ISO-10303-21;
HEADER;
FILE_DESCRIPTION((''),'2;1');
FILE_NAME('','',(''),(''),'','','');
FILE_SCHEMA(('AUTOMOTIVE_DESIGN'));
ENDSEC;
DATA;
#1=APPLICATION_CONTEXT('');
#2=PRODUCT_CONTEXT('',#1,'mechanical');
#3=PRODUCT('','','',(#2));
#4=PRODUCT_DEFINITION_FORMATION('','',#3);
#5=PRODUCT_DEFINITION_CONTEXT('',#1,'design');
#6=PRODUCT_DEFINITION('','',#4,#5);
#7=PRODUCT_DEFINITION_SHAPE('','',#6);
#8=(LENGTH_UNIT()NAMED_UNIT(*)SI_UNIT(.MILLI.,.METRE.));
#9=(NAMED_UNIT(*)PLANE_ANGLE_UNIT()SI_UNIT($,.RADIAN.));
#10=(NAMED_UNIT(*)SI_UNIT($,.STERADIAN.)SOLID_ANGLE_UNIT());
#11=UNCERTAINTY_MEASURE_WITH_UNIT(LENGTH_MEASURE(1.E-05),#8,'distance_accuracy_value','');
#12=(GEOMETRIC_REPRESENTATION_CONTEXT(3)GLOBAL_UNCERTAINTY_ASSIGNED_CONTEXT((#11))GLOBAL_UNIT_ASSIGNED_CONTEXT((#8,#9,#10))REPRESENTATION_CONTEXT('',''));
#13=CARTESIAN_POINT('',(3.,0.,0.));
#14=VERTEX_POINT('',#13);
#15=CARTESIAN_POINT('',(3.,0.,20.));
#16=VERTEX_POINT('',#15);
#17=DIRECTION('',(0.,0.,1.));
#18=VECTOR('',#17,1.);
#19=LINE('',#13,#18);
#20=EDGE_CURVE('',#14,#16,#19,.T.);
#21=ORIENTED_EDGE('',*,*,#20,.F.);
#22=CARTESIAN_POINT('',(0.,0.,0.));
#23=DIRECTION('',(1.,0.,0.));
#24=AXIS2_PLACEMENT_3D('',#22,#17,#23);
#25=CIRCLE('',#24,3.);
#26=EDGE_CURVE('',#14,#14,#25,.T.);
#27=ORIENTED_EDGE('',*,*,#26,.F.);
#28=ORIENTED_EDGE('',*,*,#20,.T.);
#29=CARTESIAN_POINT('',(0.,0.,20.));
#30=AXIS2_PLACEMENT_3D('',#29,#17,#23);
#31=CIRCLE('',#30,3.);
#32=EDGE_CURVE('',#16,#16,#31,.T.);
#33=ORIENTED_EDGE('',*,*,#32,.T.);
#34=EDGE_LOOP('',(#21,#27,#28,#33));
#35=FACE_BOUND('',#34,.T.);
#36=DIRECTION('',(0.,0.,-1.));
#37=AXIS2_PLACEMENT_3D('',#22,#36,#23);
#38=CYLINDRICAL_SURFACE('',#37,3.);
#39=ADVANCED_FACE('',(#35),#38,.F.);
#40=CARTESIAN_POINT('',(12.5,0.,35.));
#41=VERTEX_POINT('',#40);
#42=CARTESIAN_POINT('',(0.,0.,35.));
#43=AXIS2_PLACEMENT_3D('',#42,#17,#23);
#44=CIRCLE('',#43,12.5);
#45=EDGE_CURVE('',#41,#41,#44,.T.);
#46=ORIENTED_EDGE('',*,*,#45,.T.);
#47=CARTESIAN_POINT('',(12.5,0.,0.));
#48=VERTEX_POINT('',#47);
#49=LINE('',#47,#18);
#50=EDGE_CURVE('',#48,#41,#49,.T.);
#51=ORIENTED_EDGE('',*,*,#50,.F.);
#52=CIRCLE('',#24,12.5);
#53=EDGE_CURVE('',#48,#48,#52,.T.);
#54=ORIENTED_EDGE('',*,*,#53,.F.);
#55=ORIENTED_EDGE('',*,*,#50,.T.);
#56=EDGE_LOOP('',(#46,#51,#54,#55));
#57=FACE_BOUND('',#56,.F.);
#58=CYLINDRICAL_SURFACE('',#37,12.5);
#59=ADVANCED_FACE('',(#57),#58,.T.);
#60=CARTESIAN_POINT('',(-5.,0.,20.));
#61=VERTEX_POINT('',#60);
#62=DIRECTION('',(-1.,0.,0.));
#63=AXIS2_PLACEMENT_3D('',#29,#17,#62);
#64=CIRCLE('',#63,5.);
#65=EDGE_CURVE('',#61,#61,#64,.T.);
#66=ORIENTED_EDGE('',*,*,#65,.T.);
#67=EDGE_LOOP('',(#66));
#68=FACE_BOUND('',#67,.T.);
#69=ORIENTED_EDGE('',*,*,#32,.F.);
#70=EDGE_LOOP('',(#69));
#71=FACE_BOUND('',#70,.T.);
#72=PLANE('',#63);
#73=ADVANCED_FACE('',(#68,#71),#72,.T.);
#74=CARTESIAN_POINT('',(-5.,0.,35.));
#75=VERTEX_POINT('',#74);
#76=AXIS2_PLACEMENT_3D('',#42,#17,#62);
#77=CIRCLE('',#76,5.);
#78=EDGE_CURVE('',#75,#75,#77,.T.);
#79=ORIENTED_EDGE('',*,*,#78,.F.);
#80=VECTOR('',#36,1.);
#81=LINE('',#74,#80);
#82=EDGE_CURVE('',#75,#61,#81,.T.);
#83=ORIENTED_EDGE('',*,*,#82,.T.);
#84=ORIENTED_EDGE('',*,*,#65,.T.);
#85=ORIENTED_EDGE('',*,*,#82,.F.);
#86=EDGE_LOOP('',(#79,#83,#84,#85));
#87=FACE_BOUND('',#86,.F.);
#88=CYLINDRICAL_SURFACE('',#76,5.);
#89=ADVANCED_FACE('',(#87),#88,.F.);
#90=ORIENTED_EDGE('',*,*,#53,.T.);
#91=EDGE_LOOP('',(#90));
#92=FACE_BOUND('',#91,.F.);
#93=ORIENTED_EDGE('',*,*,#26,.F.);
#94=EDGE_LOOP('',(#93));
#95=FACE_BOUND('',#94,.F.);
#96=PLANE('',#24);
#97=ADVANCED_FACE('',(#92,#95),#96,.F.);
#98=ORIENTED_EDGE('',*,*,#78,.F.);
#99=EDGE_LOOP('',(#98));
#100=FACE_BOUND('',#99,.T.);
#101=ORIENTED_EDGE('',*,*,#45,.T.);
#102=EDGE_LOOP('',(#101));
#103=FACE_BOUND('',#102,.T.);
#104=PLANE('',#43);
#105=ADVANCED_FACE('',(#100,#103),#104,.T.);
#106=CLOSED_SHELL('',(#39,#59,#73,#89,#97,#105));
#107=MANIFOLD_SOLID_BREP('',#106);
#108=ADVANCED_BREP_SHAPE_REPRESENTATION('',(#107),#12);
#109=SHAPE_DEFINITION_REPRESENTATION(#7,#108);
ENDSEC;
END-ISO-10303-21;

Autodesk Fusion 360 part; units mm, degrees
sketch "草图1" plane through (0, 0, 0) normal (0, 0, 1) x (1, 0, 0)
  circle A0 centre (0, 0) radius 12.5
  circle A1 centre (0, 0) radius 3
  dimension "d1" = 25
  dimension "d2" = 6
extrude "拉伸1" add sketch "草图1" along normal blind 35
sketch "草图2" plane through (0, 0, 35) normal (0, 0, 1) x (-1, 0, 0)
  circle A0 centre (0, 0) radius 3
  circle A1 centre (0, 0) radius 12.5
  circle A2 centre (0, 0) radius 5
  dimension "d5" = 10
extrude "拉伸2" cut sketch "草图2" against normal blind 15 contours A2
